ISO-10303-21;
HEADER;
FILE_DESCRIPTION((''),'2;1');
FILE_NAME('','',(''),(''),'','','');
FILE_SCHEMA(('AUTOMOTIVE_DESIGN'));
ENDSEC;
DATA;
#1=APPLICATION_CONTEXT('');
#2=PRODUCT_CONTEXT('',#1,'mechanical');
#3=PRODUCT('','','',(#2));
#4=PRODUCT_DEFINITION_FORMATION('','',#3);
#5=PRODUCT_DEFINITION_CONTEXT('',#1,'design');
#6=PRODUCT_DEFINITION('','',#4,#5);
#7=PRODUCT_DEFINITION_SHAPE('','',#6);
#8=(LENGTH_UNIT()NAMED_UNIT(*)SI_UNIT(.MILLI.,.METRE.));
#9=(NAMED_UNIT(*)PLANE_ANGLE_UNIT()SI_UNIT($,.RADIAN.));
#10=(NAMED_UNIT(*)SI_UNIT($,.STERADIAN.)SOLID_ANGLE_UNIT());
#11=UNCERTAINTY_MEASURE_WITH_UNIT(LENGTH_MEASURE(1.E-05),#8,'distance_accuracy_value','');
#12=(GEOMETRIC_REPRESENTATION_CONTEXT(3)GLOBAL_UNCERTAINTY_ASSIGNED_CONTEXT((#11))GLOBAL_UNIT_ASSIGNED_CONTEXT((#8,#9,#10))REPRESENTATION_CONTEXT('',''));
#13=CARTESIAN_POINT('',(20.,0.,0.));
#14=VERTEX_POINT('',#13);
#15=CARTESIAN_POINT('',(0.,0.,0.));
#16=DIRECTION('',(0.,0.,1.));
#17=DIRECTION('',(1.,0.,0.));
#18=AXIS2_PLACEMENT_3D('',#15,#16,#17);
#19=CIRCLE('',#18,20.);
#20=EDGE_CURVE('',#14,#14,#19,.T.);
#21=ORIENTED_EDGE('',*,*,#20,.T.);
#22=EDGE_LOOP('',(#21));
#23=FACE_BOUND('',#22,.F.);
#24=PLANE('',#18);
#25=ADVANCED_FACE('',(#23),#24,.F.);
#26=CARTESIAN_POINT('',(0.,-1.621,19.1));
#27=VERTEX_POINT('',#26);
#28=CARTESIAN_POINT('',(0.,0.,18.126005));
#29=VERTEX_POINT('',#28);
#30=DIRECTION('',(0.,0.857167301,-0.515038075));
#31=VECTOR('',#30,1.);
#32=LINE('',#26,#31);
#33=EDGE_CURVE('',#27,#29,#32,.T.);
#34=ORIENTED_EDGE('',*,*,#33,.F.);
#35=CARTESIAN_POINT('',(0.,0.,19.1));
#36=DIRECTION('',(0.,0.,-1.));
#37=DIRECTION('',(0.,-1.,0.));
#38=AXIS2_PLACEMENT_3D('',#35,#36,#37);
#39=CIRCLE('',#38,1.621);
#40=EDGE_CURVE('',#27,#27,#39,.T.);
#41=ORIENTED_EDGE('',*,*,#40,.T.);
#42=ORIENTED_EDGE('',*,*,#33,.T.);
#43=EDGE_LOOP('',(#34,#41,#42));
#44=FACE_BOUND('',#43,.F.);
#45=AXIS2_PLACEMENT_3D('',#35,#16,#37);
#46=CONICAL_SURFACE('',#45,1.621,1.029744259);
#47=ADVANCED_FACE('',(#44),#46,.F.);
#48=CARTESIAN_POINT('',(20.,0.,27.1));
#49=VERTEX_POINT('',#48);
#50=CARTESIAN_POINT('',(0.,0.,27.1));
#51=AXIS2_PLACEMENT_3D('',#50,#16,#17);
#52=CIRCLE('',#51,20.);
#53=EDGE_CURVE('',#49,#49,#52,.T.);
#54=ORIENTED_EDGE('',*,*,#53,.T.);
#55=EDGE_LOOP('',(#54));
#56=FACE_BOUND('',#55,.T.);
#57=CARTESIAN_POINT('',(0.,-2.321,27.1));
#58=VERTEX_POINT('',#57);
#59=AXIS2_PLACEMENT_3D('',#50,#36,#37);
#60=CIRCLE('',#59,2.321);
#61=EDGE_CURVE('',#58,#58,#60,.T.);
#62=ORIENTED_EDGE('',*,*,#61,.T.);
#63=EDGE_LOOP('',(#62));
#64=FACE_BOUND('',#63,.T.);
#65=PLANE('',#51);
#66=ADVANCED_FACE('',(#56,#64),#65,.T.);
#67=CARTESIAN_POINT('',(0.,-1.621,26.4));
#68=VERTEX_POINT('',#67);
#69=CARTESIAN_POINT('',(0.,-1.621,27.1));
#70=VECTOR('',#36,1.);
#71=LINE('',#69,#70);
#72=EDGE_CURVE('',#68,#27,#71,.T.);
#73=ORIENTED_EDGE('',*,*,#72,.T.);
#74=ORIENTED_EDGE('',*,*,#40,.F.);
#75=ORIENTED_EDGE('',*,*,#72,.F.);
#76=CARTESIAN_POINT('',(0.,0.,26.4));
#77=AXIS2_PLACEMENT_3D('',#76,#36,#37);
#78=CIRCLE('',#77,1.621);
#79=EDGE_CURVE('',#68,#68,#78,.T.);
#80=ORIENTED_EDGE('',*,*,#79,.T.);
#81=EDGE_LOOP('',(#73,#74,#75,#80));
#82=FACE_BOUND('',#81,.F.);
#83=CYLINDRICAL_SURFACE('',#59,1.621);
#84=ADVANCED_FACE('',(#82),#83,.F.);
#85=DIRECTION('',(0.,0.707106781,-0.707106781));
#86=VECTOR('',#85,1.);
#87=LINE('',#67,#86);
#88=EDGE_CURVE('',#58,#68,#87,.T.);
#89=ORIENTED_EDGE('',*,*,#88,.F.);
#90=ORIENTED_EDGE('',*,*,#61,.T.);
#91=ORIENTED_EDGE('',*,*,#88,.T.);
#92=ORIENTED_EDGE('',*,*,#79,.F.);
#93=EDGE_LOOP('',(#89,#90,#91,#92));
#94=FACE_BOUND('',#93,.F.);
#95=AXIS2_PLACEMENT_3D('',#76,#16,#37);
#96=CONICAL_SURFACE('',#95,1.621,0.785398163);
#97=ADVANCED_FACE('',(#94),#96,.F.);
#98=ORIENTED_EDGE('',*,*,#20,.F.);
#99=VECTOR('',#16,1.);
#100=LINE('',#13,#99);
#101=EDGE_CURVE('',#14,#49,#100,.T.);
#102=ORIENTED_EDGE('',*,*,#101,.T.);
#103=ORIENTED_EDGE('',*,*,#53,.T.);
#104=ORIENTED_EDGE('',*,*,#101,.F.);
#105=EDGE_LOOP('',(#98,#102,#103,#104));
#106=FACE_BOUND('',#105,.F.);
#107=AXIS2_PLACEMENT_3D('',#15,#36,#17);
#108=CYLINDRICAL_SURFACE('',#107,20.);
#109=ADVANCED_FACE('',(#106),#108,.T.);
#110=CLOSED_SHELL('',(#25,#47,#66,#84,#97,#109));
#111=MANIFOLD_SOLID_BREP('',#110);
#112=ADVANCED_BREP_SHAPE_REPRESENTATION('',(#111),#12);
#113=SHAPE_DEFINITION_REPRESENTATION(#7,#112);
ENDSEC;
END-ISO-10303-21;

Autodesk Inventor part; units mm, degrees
ref_plane "YZ Plane" through (0, 0, 0) normal (1, 0, 0) x (0, 1, 0)
ref_plane "XZ Plane" through (0, 0, 0) normal (0, 1, 0) x (-1, 0, 0)
ref_plane "XY Plane" through (0, 0, 0) normal (0, 0, 1) x (1, 0, 0)
sketch "Sketch1" plane through (0, 0, 0) normal (0, 0, 1) x (1, 0, 0)
  circle A0 centre (0, 0) radius 20
  dimension "d0" = 40
extrude "Extrusion1" add sketch "Sketch1" along normal blind 27.1
sketch "Sketch2" plane through (0, 0, 27.1) normal (0, 0, 1) x (1, 0, 0)
  point P0 (0, 0)
  point P1 (0, 0)
hole "Hole1" at (0, 0, 27.1) direction (0, 0, -1) diameter 3.242 depth 8 tip angle 118 thread size "M4x0.7" class "6H" standard "ISO Metric profile"
chamfer "Chamfer1" distance 0.7 angle 45 1 edges at (0, 1.621, 27.1)
properties part number "CounterWeights_Brass" material "Brass, Soft Yellow"
